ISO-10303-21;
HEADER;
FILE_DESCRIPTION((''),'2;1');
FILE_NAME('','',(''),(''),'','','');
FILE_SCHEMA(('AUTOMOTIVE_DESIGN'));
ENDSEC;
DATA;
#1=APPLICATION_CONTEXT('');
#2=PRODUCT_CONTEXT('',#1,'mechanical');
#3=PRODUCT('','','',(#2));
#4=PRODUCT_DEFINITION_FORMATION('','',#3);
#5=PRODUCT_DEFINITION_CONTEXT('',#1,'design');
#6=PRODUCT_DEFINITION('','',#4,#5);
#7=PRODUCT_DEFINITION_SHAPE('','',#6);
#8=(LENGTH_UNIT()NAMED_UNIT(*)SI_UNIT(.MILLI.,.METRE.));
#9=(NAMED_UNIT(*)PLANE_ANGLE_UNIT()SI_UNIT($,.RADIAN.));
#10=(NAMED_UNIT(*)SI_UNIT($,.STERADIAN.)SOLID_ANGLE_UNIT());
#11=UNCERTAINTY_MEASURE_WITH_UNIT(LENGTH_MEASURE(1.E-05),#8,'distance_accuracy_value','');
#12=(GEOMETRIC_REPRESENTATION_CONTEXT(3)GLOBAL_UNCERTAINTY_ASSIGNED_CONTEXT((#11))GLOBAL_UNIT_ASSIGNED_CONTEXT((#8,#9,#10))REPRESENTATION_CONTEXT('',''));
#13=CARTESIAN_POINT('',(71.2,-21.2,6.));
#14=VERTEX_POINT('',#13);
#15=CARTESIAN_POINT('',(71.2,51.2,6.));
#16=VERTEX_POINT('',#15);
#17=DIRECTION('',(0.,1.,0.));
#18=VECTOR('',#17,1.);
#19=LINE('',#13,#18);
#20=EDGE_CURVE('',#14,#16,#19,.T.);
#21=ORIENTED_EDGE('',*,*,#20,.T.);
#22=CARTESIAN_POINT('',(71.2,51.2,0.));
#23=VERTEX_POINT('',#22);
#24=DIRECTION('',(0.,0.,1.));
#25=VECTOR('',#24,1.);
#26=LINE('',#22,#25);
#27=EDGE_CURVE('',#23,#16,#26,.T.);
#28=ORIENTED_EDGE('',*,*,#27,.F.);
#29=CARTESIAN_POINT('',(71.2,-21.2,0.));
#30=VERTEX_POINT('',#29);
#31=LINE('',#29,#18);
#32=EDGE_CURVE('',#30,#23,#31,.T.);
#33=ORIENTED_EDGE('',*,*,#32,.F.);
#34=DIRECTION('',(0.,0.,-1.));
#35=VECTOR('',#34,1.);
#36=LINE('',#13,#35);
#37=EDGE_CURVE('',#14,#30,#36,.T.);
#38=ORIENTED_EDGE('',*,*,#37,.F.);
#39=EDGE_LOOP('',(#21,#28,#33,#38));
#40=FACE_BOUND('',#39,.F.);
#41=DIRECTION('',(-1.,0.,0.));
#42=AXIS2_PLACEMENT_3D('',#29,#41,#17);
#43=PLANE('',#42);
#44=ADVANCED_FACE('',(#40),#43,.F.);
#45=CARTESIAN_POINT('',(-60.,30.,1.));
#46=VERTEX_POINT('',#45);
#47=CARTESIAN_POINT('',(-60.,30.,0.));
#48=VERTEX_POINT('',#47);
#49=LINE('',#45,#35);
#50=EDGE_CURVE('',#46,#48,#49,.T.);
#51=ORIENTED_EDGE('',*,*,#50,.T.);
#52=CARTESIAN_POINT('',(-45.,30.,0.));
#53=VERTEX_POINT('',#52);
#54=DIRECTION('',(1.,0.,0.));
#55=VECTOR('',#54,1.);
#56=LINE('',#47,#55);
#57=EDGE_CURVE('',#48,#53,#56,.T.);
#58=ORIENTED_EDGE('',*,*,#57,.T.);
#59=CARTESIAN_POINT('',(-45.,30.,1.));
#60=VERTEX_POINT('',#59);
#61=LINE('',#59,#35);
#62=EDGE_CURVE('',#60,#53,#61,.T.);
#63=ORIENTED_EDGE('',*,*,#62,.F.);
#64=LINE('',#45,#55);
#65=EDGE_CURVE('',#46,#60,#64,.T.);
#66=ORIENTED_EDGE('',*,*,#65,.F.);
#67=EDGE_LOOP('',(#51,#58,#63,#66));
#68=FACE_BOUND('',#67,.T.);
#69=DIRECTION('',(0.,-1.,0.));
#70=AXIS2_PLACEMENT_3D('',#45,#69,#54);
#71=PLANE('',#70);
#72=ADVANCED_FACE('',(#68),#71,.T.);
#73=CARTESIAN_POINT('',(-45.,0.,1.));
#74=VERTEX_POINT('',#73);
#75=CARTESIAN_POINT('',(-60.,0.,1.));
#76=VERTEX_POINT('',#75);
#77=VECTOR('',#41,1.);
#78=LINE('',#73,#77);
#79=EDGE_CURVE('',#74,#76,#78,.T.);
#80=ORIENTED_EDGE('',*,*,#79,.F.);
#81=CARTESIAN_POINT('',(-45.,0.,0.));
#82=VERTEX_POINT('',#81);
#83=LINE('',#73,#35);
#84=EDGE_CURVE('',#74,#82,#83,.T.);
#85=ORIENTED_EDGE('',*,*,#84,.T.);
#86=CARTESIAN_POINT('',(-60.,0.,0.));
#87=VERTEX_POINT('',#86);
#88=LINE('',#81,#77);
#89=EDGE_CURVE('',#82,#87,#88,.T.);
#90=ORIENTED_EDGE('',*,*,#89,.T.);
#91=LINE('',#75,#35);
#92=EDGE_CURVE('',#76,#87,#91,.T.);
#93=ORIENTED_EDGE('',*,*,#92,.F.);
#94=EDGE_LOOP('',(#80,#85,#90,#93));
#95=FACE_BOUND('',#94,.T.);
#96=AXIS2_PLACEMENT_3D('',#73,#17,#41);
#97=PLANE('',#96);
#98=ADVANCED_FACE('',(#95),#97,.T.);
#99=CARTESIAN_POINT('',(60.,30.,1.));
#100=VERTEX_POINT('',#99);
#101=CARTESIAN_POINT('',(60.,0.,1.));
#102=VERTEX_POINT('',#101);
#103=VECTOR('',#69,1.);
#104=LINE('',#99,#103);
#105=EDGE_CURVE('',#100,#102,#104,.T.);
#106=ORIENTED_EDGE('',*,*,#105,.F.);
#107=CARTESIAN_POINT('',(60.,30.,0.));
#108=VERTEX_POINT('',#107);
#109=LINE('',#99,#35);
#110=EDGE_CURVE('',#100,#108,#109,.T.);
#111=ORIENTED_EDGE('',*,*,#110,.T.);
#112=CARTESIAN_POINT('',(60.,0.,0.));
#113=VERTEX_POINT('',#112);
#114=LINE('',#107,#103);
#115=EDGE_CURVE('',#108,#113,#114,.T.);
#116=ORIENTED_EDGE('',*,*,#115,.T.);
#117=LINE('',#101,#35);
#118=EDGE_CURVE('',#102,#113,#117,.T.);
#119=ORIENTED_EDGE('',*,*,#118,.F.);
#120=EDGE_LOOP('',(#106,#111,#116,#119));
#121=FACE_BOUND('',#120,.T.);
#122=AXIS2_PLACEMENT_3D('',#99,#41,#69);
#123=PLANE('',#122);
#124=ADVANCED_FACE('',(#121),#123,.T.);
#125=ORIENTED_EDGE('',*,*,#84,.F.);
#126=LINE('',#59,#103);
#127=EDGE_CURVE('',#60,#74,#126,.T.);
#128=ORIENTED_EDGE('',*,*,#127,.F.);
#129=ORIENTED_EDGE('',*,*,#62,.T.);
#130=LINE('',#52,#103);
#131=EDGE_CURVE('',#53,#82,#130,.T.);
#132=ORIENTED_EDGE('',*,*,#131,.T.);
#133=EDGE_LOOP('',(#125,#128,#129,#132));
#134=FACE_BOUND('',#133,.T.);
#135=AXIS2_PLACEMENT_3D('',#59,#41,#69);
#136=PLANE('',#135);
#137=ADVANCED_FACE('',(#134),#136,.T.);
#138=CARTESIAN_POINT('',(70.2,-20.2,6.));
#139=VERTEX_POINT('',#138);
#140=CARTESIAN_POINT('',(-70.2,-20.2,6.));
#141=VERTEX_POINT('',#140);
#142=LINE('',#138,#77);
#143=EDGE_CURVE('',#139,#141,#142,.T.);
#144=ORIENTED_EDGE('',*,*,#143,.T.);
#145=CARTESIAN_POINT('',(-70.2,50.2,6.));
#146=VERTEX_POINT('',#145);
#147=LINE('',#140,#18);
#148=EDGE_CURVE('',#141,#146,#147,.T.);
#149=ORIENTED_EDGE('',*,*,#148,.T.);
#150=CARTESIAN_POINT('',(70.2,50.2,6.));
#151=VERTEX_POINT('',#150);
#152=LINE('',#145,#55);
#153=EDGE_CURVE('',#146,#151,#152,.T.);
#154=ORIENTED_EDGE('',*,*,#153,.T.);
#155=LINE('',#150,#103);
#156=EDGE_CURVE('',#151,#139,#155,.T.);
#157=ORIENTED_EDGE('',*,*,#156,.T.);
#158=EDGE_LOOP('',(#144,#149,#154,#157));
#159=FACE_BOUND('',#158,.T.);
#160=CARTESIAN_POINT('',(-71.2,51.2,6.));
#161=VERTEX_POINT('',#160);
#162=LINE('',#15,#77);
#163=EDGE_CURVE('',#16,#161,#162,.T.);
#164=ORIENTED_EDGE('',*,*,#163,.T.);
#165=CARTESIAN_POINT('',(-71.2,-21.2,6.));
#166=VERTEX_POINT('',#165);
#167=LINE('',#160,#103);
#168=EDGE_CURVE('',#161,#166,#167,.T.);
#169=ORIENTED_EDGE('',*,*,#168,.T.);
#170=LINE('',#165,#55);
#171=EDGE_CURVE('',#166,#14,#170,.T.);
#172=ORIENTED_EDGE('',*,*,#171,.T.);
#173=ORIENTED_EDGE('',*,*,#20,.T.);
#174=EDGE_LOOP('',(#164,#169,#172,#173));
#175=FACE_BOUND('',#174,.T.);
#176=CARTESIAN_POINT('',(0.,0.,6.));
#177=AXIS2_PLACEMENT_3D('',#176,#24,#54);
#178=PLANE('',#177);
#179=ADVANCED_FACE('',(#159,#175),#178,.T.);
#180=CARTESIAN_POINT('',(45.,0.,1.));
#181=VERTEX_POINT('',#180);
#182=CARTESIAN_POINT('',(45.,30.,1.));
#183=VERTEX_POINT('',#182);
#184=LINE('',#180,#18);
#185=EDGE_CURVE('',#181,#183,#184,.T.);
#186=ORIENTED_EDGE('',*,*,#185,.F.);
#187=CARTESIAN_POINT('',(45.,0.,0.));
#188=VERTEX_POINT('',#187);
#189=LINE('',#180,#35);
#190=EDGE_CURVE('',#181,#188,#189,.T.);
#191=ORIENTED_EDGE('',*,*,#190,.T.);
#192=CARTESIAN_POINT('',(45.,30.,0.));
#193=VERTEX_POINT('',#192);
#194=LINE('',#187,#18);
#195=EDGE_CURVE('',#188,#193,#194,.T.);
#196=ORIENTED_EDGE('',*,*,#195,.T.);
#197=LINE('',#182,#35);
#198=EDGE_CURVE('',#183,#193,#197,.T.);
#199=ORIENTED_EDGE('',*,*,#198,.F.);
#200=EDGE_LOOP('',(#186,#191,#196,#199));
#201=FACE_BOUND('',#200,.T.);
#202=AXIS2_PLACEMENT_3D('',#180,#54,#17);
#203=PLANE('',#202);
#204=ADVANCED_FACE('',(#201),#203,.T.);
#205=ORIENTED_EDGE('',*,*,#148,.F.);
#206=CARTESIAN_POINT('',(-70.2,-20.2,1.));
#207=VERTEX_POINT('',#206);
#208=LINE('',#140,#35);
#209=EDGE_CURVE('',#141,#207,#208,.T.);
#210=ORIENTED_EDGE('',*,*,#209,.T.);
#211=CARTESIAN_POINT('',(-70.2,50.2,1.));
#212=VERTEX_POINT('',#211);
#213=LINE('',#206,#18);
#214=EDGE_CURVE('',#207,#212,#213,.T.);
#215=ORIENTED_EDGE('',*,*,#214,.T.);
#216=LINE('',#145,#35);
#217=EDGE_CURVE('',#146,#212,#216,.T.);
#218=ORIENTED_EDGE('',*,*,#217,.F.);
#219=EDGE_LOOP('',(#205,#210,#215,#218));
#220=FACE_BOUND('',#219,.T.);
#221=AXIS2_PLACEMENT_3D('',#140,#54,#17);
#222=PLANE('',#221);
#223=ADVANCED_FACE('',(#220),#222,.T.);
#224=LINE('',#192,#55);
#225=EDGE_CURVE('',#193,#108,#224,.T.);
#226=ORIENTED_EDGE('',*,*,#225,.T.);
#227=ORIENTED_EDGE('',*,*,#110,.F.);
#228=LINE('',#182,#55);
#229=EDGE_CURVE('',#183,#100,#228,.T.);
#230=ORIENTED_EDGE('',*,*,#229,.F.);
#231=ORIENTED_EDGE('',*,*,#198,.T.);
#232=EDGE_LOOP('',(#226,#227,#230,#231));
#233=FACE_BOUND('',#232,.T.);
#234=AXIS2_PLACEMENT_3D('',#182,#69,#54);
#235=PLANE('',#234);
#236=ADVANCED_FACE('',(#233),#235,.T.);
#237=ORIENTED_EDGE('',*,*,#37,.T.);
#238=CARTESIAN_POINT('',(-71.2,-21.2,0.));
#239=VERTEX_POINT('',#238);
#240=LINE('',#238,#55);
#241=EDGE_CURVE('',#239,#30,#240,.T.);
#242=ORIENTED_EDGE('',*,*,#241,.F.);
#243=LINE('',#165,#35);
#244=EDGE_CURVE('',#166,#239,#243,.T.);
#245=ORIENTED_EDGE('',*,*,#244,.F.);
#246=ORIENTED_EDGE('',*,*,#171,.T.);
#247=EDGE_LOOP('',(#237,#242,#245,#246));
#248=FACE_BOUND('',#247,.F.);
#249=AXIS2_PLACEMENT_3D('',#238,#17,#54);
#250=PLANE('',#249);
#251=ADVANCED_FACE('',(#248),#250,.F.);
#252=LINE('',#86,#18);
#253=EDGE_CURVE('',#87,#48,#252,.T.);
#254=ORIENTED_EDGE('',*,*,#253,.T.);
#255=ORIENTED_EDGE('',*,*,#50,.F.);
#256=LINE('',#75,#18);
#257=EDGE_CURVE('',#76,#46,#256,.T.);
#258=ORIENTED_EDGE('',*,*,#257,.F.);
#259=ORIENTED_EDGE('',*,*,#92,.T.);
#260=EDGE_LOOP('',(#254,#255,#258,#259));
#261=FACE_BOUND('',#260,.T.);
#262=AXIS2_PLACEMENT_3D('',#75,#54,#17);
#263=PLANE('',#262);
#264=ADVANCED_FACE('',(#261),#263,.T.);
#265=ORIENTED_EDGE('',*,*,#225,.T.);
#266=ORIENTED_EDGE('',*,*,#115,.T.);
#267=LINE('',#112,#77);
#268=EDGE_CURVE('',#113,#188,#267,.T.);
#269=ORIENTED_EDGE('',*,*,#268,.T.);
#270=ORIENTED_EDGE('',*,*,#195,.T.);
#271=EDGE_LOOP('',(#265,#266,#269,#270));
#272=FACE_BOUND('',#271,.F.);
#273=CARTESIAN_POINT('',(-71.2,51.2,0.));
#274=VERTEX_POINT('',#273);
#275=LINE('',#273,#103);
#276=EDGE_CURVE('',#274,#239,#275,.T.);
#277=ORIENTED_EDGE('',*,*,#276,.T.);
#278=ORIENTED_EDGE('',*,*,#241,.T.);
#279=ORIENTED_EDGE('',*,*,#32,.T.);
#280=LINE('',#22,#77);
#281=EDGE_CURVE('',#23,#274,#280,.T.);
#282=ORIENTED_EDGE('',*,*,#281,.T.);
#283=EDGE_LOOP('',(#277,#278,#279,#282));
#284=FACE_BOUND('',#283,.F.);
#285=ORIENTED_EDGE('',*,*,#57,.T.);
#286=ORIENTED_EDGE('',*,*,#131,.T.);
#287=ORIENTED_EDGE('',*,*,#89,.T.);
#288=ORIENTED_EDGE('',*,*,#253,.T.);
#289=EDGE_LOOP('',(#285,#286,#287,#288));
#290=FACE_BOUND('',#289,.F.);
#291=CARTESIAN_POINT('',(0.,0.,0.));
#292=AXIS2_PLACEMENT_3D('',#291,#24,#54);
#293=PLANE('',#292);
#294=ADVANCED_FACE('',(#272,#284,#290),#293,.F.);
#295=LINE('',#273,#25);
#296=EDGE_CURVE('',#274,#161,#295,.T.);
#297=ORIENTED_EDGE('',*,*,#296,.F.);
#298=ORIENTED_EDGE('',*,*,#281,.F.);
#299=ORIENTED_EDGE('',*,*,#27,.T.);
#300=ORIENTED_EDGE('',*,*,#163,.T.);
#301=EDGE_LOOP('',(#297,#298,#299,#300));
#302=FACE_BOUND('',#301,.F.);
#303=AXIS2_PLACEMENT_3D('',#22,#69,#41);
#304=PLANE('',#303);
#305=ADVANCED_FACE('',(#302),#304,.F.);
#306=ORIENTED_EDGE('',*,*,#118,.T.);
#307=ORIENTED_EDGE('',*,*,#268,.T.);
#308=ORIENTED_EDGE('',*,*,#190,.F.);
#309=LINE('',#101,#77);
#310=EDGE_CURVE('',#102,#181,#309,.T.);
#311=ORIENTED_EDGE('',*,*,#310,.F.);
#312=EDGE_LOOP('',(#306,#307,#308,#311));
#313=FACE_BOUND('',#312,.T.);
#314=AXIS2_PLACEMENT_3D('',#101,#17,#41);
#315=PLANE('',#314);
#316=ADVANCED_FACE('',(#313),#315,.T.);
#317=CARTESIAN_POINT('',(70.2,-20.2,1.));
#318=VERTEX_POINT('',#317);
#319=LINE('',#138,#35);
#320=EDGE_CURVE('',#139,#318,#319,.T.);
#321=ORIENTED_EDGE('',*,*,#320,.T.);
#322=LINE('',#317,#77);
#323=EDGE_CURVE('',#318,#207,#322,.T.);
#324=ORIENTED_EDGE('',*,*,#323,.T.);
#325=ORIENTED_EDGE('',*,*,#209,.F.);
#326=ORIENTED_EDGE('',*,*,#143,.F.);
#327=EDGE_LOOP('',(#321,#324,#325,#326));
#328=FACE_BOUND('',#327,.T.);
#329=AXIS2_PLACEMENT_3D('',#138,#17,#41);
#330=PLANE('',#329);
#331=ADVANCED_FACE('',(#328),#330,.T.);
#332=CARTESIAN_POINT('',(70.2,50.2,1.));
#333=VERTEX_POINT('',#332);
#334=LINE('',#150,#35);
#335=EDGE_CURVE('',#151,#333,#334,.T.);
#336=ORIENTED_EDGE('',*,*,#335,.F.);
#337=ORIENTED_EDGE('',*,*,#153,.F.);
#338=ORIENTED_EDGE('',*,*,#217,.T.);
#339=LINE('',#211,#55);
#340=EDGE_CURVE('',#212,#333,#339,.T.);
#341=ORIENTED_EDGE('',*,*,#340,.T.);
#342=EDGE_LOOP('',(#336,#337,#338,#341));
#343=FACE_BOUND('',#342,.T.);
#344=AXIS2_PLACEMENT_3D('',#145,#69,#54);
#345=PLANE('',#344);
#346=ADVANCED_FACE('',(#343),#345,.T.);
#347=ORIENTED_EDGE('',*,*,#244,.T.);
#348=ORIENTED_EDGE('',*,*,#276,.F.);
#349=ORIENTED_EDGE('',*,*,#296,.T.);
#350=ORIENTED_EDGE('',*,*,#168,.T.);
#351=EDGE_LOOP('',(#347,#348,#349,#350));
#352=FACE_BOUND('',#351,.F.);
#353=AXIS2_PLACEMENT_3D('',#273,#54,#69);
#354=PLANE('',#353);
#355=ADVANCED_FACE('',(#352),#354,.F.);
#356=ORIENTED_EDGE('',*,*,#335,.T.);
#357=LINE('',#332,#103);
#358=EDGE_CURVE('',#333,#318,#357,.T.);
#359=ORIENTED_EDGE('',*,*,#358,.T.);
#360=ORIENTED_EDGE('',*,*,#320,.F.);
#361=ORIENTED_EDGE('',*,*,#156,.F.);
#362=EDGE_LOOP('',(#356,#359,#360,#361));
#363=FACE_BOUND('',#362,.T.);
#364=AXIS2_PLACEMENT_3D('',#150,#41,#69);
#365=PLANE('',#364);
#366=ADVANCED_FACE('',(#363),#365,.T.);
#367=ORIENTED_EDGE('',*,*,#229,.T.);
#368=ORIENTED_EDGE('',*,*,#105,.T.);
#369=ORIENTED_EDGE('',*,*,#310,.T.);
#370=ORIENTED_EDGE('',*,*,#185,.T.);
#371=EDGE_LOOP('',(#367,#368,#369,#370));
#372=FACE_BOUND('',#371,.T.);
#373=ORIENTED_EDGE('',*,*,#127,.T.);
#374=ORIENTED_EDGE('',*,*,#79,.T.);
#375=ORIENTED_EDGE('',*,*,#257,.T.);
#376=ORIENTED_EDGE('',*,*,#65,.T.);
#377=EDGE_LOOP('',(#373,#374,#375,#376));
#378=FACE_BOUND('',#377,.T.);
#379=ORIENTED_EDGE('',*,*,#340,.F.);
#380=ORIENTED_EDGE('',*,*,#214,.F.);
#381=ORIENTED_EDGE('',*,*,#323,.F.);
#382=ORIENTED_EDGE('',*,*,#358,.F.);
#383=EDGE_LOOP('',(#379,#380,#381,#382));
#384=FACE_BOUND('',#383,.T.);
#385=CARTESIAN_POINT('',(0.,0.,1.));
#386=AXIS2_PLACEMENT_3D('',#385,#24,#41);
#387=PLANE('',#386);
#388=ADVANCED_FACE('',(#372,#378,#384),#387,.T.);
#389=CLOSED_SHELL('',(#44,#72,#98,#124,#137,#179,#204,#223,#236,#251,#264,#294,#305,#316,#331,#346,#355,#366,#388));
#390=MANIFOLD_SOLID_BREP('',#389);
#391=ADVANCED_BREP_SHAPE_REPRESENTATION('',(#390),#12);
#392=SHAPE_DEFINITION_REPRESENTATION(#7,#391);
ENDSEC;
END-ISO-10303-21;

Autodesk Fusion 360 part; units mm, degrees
sketch "Esquisse1" plane through (0, 0, 0) normal (0, 0, 1) x (1, 0, 0)
  line L0 (71.2, 51.2) -> (-71.2, 51.2)
  line L1 (-71.2, 51.2) -> (-71.2, -21.2)
  line L2 (-71.2, -21.2) -> (71.2, -21.2)
  line L3 (71.2, -21.2) -> (71.2, 51.2)
extrude "Extrusion1" add sketch "Esquisse1" along normal blind 5
extrude "Extrusion2" add 1 faces at (-23.7333, 27.0667, 5) along direction (0, 0, 1) blind 1
sketch "Esquisse2" plane through (0, 0, 6) normal (0, 0, 1) x (-1, 0, 0)
  line L0 (-71.2, 21.2) -> (-71.2, -51.2)
  line L1 (-71.2, -51.2) -> (71.2, -51.2)
  line L2 (71.2, -51.2) -> (71.2, 21.2)
  line L3 (71.2, 21.2) -> (-71.2, 21.2)
  line L4 (70.2, -50.2) -> (-70.2, -50.2)
  line L5 (-70.2, -50.2) -> (-70.2, 20.2)
  line L6 (-70.2, 20.2) -> (70.2, 20.2)
  line L7 (70.2, 20.2) -> (70.2, -50.2)
extrude "Extrusion3" cut sketch "Esquisse2" against normal blind 5 contours L4 L5 L6 L7
sketch "Esquisse3" plane through (0, 0, 1) normal (0, 0, 1) x (-1, 0, 0)
  line L0 (70.2, 20.2) -> (-70.2, 20.2)
  line L1 (-70.2, 20.2) -> (-70.2, -50.2)
  line L2 (-70.2, -50.2) -> (70.2, -50.2)
  line L3 (70.2, -50.2) -> (70.2, 20.2)
  line L4 (45, 0) -> (60, 0)
  line L5 (60, 0) -> (60, -30)
  line L6 (60, -30) -> (45, -30)
  line L7 (45, -30) -> (45, 0)
  line L8 (-60, 0) -> (-45, 0)
  line L9 (-45, 0) -> (-45, -30)
  line L10 (-45, -30) -> (-60, -30)
  line L11 (-60, -30) -> (-60, 0)
extrude "Extrusion4" cut sketch "Esquisse3" against normal blind 1 contours L4 L5 L6 L7 | L8 L9 L10 L11
